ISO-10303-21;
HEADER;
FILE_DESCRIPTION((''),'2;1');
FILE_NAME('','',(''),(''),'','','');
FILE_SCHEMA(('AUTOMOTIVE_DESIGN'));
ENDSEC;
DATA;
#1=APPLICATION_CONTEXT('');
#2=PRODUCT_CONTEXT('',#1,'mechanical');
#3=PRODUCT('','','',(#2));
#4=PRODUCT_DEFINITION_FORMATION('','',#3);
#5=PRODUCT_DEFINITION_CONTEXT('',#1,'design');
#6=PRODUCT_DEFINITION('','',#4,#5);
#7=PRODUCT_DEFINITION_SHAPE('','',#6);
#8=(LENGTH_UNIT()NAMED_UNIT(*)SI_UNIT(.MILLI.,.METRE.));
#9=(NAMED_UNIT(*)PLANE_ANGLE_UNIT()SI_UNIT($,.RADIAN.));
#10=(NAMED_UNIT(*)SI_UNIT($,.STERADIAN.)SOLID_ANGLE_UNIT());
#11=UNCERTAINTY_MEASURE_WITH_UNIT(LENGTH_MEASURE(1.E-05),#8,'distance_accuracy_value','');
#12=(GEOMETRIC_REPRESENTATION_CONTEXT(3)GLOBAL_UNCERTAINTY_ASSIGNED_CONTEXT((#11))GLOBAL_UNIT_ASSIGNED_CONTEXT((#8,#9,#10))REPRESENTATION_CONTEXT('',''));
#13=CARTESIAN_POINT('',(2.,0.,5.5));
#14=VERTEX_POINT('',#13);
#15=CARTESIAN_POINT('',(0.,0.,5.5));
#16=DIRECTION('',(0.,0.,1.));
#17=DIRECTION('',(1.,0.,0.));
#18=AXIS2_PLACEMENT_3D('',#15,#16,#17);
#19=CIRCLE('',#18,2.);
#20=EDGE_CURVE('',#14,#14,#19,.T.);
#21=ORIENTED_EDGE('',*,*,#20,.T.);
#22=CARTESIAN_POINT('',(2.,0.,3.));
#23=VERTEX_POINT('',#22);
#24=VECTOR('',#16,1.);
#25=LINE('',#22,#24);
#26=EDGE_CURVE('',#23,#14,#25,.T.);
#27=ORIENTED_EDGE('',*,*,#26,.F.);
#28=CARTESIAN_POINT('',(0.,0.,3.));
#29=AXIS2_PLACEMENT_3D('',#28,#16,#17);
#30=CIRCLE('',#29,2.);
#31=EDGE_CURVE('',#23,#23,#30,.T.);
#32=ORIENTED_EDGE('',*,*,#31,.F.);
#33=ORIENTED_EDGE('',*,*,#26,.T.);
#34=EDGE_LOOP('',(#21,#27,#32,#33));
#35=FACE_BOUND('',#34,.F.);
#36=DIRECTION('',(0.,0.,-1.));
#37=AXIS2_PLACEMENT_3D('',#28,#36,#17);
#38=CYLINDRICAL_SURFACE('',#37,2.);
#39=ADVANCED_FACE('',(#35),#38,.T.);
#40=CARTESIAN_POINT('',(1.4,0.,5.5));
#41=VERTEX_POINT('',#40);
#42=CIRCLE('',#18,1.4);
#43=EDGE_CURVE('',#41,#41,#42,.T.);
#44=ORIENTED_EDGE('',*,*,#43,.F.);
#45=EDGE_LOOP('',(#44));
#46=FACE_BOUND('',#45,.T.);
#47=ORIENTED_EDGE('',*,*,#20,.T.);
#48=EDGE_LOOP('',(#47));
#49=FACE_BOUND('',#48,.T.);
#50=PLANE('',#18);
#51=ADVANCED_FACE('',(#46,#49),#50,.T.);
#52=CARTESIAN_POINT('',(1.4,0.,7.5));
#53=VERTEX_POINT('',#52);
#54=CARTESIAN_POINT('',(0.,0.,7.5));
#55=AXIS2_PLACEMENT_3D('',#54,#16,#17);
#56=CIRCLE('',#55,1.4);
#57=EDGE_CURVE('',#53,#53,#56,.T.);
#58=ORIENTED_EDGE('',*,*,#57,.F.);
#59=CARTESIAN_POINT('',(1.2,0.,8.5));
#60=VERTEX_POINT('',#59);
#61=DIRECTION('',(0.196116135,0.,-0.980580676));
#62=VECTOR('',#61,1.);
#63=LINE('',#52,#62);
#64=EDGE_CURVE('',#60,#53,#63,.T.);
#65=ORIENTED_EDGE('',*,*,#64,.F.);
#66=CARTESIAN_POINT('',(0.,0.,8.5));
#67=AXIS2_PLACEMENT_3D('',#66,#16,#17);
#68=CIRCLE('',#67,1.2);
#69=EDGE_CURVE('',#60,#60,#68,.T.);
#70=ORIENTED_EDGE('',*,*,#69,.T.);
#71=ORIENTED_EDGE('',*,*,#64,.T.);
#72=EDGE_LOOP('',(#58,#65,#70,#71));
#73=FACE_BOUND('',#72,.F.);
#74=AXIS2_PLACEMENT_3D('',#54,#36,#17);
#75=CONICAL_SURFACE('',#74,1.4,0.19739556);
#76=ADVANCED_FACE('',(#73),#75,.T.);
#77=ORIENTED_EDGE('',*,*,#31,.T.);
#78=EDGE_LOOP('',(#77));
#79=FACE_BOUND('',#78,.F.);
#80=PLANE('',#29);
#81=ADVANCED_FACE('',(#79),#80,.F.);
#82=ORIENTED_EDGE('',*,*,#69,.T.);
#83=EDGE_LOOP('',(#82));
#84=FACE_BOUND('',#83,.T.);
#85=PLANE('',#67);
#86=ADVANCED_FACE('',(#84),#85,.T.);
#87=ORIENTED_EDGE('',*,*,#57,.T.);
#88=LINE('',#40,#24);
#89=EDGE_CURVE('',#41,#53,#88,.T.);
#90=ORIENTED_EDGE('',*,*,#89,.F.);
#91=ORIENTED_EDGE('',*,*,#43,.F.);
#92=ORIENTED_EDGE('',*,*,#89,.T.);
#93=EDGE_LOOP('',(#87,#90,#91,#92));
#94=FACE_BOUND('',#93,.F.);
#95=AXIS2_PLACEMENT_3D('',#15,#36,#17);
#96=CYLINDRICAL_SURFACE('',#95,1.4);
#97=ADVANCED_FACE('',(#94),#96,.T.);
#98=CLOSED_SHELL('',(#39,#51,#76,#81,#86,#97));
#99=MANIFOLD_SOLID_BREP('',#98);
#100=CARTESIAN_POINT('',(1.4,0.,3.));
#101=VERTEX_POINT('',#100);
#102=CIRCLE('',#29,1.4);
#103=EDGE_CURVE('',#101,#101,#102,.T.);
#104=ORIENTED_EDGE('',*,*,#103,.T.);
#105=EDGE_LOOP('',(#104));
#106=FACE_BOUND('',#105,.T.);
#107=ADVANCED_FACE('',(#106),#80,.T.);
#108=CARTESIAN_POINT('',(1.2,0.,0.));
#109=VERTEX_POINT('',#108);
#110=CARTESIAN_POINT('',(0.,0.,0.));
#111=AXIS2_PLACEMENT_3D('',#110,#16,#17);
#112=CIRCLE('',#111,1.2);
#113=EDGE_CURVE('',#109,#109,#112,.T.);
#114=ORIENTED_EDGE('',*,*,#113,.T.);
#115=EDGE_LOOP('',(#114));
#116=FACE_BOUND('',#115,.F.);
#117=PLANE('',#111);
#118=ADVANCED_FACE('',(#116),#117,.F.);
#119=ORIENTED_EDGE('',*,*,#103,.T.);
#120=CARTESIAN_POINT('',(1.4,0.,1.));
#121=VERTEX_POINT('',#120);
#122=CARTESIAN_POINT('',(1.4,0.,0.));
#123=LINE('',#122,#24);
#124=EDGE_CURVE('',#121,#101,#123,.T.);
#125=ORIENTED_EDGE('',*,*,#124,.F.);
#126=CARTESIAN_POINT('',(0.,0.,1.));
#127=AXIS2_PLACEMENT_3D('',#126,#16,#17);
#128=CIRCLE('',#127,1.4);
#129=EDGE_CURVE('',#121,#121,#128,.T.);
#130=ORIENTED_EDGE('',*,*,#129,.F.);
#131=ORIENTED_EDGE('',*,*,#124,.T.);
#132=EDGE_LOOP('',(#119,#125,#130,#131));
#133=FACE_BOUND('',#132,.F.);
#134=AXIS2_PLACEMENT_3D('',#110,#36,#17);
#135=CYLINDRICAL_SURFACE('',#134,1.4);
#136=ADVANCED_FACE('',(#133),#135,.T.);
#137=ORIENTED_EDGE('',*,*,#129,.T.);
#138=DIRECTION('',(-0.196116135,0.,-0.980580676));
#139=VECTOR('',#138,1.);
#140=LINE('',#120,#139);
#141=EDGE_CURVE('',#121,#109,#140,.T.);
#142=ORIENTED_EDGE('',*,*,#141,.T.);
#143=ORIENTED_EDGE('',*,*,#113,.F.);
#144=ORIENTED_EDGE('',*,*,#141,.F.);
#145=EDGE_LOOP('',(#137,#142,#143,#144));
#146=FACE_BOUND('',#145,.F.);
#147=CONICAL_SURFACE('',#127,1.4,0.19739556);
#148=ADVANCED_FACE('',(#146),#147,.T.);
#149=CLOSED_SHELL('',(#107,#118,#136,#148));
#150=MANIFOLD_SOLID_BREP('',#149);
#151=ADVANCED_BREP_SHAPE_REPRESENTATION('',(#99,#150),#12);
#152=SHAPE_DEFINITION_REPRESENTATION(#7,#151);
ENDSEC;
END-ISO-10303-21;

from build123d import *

# Parameters (mm, degrees)
F0_R     = 1.4
F1_DEPTH = 3
F2_R     = 2
F2_R_2   = 1.4
F3_DEPTH = 2.5
F4_R     = 1.4
F5_DEPTH = 3
F6_SIZE2 = 1
F6_SIZE  = 0.2
F7_SIZE2 = 0.2
F7_SIZE  = 1


with BuildPart() as f1:
    # F0 (on Top) → F1 (new body)
    with BuildSketch(Plane.XY):
        Circle(F0_R)
    extrude(amount=F1_DEPTH)

    # F7
    f7_edges = [f1.edges().sort_by_distance(p)[0] for p in [
        (-1.4, 0, 0),
    ]]
    f7_side = f1.faces().sort_by_distance((-1.4, 0, 1.5))[0]
    chamfer(f7_edges, length=F7_SIZE, length2=F7_SIZE2, reference=f7_side)


with BuildPart() as f3:
    # F2 (on face) → F3 (new body)
    with BuildSketch(Plane.XY.offset(3)):
        Circle(F2_R)
        Circle(F2_R_2, mode=Mode.SUBTRACT)
        Circle(F2_R_2)
    extrude(amount=F3_DEPTH)

    # F4 (on face) → F5 (join)
    with BuildSketch(Plane.XY.offset(5.5)):
        Circle(F4_R)
    extrude(amount=F5_DEPTH)

    # F6
    f6_edges = [f3.edges().sort_by_distance(p)[0] for p in [
        (-1.4, 0, 8.5),
    ]]
    f6_side = f3.faces().sort_by_distance((0, 0, 8.5))[0]
    chamfer(f6_edges, length=F6_SIZE, length2=F6_SIZE2, reference=f6_side)


solid = Compound([f1.part, f3.part])
